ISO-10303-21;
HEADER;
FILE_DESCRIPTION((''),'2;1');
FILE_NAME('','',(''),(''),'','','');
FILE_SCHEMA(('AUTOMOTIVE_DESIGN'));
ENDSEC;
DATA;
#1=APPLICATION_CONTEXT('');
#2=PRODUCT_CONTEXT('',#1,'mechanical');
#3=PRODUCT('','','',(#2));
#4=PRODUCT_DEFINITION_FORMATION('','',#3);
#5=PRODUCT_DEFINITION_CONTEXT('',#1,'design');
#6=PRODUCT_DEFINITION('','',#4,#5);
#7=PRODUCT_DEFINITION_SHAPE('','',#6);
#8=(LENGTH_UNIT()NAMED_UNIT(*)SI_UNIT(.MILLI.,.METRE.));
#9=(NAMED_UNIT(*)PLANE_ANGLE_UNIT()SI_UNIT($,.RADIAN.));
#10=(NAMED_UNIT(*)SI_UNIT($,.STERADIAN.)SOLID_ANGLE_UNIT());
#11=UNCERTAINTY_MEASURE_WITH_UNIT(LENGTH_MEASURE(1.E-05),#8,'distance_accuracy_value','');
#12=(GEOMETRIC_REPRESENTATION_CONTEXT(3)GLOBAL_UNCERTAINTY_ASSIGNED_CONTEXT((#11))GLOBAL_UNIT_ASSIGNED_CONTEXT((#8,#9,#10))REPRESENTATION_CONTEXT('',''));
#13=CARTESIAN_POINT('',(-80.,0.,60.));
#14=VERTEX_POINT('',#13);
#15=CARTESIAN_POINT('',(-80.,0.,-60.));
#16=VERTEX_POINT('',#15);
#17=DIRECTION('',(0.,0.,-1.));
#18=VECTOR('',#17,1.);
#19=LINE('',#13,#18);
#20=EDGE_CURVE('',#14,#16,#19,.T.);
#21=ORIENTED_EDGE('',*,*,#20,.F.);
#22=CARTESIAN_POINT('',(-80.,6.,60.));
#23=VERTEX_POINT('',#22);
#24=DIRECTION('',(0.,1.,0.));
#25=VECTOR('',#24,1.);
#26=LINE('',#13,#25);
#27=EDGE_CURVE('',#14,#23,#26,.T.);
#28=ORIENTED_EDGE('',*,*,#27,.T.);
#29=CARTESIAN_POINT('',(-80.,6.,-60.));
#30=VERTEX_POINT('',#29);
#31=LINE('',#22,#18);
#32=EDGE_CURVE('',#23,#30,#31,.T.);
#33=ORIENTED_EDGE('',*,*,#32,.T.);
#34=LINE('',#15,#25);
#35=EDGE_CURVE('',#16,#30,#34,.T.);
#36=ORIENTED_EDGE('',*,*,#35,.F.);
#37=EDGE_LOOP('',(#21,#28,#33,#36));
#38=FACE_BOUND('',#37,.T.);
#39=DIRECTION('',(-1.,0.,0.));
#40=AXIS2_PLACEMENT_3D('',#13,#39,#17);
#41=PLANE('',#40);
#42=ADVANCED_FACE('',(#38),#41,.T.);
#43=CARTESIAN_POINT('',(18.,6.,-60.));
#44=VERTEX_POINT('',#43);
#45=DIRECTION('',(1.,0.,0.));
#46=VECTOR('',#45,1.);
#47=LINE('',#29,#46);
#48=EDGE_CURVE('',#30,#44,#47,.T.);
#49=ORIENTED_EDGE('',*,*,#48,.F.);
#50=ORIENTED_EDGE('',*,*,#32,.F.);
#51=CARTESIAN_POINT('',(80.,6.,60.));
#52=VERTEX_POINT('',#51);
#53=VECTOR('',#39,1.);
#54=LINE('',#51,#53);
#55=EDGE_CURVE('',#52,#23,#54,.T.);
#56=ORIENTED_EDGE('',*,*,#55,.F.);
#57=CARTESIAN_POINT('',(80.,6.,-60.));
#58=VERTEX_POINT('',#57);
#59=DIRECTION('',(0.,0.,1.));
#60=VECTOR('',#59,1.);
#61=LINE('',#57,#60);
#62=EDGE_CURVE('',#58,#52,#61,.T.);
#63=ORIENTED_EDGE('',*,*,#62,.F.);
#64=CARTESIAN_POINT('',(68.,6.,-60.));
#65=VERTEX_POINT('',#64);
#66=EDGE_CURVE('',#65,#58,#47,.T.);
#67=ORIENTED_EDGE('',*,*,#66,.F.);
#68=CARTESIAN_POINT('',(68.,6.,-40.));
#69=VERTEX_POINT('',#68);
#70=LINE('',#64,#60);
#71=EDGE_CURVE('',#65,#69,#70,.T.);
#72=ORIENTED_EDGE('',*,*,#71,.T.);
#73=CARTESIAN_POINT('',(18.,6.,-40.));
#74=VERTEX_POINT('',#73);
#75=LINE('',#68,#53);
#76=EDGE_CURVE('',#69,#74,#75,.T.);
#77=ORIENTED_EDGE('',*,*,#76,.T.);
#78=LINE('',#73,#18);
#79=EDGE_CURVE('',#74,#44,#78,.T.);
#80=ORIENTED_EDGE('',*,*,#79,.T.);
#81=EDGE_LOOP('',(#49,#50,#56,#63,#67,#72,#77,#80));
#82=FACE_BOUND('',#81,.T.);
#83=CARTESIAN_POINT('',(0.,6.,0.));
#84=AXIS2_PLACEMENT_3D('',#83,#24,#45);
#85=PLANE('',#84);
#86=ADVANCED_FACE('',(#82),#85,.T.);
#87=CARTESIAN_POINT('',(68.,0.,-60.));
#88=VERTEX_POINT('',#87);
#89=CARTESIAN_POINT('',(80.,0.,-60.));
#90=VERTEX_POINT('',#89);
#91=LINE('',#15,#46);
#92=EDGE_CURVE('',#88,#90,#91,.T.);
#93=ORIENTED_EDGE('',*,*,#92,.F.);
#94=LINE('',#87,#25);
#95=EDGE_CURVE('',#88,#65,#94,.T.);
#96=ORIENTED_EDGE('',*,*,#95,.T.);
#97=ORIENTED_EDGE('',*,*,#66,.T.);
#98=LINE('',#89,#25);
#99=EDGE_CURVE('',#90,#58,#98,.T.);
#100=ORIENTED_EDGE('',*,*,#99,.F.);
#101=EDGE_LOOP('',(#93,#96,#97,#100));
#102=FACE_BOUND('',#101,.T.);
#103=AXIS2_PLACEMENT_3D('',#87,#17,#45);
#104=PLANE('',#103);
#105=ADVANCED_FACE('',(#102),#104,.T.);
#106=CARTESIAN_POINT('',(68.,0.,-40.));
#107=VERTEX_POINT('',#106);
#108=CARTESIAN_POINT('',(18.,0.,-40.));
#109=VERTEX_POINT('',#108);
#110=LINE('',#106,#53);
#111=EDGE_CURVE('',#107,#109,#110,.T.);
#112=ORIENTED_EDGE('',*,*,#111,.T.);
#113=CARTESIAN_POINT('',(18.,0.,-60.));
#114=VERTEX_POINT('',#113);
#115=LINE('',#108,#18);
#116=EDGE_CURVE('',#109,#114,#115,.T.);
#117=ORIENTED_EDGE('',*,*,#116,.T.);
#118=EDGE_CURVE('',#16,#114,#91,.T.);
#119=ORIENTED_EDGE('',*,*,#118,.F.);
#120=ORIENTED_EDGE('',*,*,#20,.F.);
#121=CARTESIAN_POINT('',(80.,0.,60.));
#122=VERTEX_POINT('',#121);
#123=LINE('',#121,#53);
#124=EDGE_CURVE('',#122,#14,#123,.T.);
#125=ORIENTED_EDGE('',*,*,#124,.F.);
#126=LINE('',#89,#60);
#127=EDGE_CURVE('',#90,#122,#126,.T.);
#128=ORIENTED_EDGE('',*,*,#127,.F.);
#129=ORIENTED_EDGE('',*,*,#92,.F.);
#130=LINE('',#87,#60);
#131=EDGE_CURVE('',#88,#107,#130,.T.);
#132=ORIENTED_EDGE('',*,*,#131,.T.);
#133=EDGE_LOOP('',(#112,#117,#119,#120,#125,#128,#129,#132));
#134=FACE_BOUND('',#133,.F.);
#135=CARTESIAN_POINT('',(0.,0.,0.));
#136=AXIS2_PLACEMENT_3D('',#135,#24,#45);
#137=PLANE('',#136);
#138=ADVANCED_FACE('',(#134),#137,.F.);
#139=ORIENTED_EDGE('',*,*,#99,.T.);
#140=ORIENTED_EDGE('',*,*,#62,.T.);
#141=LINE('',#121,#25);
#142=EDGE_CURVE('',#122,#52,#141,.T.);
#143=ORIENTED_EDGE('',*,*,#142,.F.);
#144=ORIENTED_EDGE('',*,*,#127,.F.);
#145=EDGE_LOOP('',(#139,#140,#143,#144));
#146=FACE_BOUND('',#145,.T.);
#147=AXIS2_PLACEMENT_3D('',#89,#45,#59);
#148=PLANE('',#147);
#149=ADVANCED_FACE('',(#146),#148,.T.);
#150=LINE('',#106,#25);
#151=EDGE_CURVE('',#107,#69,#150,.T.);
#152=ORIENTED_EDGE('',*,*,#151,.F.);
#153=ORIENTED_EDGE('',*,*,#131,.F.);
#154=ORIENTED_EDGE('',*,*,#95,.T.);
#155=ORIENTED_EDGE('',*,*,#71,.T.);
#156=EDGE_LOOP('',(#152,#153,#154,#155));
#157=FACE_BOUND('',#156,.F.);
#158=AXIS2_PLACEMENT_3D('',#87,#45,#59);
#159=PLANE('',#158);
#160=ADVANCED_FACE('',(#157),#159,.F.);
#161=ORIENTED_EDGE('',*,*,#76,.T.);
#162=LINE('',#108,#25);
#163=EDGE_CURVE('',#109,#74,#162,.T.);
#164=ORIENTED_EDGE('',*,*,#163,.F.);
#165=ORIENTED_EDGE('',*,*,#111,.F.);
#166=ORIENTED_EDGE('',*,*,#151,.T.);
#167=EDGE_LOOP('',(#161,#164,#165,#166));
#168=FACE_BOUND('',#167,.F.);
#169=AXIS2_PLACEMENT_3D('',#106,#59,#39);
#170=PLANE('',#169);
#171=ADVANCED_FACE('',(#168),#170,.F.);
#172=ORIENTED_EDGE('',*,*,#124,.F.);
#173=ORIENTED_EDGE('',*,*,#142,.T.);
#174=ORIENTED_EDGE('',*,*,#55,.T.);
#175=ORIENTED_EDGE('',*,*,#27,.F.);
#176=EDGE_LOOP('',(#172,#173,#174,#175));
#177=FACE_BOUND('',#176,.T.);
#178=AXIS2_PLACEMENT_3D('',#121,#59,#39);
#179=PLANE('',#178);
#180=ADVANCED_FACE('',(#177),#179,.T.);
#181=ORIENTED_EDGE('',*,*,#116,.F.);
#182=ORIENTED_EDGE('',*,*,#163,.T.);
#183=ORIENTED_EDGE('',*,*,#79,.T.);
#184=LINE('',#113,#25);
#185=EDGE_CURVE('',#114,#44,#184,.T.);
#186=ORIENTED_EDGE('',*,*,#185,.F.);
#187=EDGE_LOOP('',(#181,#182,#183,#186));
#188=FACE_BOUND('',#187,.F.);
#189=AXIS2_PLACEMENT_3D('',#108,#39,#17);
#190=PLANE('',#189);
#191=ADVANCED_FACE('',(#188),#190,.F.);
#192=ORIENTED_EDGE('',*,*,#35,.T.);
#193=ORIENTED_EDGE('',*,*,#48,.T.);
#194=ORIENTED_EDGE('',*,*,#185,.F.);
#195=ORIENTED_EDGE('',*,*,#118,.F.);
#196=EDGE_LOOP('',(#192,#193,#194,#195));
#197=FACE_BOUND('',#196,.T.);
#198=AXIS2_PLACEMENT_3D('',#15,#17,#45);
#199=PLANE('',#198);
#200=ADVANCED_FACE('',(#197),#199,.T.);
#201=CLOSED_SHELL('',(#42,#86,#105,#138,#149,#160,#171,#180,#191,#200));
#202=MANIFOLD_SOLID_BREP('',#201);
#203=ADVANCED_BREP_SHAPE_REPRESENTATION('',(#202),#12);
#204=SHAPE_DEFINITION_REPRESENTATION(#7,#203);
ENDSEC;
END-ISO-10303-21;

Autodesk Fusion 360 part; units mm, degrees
sketch "Sketch1" plane through (0, 0, 0) normal (0, 1, 0) x (1, 0, 0)
  line L0 (80, -60) -> (-80, -60)
  line L1 (-80, -60) -> (-80, 60)
  line L2 (-80, 60) -> (80, 60)
  line L3 (80, 60) -> (80, -60)
  line L4 (80, -60) -> (-80, 60) construction
  line L5 (-80, -60) -> (80, 60) construction
  line L6 (18, 60) -> (68, 60)
  line L7 (68, 60) -> (68, 40)
  line L8 (68, 40) -> (18, 40)
  line L9 (18, 40) -> (18, 60)
  dimension "d1" = 160
  dimension "d2" = 120
  dimension "d3" = 50
  dimension "d4" = 20
  dimension "d5" = 12
extrude "Extrude1" add sketch "Sketch1" along normal blind 6 contours L0 L1 L2 L3 L7 L8 L9
